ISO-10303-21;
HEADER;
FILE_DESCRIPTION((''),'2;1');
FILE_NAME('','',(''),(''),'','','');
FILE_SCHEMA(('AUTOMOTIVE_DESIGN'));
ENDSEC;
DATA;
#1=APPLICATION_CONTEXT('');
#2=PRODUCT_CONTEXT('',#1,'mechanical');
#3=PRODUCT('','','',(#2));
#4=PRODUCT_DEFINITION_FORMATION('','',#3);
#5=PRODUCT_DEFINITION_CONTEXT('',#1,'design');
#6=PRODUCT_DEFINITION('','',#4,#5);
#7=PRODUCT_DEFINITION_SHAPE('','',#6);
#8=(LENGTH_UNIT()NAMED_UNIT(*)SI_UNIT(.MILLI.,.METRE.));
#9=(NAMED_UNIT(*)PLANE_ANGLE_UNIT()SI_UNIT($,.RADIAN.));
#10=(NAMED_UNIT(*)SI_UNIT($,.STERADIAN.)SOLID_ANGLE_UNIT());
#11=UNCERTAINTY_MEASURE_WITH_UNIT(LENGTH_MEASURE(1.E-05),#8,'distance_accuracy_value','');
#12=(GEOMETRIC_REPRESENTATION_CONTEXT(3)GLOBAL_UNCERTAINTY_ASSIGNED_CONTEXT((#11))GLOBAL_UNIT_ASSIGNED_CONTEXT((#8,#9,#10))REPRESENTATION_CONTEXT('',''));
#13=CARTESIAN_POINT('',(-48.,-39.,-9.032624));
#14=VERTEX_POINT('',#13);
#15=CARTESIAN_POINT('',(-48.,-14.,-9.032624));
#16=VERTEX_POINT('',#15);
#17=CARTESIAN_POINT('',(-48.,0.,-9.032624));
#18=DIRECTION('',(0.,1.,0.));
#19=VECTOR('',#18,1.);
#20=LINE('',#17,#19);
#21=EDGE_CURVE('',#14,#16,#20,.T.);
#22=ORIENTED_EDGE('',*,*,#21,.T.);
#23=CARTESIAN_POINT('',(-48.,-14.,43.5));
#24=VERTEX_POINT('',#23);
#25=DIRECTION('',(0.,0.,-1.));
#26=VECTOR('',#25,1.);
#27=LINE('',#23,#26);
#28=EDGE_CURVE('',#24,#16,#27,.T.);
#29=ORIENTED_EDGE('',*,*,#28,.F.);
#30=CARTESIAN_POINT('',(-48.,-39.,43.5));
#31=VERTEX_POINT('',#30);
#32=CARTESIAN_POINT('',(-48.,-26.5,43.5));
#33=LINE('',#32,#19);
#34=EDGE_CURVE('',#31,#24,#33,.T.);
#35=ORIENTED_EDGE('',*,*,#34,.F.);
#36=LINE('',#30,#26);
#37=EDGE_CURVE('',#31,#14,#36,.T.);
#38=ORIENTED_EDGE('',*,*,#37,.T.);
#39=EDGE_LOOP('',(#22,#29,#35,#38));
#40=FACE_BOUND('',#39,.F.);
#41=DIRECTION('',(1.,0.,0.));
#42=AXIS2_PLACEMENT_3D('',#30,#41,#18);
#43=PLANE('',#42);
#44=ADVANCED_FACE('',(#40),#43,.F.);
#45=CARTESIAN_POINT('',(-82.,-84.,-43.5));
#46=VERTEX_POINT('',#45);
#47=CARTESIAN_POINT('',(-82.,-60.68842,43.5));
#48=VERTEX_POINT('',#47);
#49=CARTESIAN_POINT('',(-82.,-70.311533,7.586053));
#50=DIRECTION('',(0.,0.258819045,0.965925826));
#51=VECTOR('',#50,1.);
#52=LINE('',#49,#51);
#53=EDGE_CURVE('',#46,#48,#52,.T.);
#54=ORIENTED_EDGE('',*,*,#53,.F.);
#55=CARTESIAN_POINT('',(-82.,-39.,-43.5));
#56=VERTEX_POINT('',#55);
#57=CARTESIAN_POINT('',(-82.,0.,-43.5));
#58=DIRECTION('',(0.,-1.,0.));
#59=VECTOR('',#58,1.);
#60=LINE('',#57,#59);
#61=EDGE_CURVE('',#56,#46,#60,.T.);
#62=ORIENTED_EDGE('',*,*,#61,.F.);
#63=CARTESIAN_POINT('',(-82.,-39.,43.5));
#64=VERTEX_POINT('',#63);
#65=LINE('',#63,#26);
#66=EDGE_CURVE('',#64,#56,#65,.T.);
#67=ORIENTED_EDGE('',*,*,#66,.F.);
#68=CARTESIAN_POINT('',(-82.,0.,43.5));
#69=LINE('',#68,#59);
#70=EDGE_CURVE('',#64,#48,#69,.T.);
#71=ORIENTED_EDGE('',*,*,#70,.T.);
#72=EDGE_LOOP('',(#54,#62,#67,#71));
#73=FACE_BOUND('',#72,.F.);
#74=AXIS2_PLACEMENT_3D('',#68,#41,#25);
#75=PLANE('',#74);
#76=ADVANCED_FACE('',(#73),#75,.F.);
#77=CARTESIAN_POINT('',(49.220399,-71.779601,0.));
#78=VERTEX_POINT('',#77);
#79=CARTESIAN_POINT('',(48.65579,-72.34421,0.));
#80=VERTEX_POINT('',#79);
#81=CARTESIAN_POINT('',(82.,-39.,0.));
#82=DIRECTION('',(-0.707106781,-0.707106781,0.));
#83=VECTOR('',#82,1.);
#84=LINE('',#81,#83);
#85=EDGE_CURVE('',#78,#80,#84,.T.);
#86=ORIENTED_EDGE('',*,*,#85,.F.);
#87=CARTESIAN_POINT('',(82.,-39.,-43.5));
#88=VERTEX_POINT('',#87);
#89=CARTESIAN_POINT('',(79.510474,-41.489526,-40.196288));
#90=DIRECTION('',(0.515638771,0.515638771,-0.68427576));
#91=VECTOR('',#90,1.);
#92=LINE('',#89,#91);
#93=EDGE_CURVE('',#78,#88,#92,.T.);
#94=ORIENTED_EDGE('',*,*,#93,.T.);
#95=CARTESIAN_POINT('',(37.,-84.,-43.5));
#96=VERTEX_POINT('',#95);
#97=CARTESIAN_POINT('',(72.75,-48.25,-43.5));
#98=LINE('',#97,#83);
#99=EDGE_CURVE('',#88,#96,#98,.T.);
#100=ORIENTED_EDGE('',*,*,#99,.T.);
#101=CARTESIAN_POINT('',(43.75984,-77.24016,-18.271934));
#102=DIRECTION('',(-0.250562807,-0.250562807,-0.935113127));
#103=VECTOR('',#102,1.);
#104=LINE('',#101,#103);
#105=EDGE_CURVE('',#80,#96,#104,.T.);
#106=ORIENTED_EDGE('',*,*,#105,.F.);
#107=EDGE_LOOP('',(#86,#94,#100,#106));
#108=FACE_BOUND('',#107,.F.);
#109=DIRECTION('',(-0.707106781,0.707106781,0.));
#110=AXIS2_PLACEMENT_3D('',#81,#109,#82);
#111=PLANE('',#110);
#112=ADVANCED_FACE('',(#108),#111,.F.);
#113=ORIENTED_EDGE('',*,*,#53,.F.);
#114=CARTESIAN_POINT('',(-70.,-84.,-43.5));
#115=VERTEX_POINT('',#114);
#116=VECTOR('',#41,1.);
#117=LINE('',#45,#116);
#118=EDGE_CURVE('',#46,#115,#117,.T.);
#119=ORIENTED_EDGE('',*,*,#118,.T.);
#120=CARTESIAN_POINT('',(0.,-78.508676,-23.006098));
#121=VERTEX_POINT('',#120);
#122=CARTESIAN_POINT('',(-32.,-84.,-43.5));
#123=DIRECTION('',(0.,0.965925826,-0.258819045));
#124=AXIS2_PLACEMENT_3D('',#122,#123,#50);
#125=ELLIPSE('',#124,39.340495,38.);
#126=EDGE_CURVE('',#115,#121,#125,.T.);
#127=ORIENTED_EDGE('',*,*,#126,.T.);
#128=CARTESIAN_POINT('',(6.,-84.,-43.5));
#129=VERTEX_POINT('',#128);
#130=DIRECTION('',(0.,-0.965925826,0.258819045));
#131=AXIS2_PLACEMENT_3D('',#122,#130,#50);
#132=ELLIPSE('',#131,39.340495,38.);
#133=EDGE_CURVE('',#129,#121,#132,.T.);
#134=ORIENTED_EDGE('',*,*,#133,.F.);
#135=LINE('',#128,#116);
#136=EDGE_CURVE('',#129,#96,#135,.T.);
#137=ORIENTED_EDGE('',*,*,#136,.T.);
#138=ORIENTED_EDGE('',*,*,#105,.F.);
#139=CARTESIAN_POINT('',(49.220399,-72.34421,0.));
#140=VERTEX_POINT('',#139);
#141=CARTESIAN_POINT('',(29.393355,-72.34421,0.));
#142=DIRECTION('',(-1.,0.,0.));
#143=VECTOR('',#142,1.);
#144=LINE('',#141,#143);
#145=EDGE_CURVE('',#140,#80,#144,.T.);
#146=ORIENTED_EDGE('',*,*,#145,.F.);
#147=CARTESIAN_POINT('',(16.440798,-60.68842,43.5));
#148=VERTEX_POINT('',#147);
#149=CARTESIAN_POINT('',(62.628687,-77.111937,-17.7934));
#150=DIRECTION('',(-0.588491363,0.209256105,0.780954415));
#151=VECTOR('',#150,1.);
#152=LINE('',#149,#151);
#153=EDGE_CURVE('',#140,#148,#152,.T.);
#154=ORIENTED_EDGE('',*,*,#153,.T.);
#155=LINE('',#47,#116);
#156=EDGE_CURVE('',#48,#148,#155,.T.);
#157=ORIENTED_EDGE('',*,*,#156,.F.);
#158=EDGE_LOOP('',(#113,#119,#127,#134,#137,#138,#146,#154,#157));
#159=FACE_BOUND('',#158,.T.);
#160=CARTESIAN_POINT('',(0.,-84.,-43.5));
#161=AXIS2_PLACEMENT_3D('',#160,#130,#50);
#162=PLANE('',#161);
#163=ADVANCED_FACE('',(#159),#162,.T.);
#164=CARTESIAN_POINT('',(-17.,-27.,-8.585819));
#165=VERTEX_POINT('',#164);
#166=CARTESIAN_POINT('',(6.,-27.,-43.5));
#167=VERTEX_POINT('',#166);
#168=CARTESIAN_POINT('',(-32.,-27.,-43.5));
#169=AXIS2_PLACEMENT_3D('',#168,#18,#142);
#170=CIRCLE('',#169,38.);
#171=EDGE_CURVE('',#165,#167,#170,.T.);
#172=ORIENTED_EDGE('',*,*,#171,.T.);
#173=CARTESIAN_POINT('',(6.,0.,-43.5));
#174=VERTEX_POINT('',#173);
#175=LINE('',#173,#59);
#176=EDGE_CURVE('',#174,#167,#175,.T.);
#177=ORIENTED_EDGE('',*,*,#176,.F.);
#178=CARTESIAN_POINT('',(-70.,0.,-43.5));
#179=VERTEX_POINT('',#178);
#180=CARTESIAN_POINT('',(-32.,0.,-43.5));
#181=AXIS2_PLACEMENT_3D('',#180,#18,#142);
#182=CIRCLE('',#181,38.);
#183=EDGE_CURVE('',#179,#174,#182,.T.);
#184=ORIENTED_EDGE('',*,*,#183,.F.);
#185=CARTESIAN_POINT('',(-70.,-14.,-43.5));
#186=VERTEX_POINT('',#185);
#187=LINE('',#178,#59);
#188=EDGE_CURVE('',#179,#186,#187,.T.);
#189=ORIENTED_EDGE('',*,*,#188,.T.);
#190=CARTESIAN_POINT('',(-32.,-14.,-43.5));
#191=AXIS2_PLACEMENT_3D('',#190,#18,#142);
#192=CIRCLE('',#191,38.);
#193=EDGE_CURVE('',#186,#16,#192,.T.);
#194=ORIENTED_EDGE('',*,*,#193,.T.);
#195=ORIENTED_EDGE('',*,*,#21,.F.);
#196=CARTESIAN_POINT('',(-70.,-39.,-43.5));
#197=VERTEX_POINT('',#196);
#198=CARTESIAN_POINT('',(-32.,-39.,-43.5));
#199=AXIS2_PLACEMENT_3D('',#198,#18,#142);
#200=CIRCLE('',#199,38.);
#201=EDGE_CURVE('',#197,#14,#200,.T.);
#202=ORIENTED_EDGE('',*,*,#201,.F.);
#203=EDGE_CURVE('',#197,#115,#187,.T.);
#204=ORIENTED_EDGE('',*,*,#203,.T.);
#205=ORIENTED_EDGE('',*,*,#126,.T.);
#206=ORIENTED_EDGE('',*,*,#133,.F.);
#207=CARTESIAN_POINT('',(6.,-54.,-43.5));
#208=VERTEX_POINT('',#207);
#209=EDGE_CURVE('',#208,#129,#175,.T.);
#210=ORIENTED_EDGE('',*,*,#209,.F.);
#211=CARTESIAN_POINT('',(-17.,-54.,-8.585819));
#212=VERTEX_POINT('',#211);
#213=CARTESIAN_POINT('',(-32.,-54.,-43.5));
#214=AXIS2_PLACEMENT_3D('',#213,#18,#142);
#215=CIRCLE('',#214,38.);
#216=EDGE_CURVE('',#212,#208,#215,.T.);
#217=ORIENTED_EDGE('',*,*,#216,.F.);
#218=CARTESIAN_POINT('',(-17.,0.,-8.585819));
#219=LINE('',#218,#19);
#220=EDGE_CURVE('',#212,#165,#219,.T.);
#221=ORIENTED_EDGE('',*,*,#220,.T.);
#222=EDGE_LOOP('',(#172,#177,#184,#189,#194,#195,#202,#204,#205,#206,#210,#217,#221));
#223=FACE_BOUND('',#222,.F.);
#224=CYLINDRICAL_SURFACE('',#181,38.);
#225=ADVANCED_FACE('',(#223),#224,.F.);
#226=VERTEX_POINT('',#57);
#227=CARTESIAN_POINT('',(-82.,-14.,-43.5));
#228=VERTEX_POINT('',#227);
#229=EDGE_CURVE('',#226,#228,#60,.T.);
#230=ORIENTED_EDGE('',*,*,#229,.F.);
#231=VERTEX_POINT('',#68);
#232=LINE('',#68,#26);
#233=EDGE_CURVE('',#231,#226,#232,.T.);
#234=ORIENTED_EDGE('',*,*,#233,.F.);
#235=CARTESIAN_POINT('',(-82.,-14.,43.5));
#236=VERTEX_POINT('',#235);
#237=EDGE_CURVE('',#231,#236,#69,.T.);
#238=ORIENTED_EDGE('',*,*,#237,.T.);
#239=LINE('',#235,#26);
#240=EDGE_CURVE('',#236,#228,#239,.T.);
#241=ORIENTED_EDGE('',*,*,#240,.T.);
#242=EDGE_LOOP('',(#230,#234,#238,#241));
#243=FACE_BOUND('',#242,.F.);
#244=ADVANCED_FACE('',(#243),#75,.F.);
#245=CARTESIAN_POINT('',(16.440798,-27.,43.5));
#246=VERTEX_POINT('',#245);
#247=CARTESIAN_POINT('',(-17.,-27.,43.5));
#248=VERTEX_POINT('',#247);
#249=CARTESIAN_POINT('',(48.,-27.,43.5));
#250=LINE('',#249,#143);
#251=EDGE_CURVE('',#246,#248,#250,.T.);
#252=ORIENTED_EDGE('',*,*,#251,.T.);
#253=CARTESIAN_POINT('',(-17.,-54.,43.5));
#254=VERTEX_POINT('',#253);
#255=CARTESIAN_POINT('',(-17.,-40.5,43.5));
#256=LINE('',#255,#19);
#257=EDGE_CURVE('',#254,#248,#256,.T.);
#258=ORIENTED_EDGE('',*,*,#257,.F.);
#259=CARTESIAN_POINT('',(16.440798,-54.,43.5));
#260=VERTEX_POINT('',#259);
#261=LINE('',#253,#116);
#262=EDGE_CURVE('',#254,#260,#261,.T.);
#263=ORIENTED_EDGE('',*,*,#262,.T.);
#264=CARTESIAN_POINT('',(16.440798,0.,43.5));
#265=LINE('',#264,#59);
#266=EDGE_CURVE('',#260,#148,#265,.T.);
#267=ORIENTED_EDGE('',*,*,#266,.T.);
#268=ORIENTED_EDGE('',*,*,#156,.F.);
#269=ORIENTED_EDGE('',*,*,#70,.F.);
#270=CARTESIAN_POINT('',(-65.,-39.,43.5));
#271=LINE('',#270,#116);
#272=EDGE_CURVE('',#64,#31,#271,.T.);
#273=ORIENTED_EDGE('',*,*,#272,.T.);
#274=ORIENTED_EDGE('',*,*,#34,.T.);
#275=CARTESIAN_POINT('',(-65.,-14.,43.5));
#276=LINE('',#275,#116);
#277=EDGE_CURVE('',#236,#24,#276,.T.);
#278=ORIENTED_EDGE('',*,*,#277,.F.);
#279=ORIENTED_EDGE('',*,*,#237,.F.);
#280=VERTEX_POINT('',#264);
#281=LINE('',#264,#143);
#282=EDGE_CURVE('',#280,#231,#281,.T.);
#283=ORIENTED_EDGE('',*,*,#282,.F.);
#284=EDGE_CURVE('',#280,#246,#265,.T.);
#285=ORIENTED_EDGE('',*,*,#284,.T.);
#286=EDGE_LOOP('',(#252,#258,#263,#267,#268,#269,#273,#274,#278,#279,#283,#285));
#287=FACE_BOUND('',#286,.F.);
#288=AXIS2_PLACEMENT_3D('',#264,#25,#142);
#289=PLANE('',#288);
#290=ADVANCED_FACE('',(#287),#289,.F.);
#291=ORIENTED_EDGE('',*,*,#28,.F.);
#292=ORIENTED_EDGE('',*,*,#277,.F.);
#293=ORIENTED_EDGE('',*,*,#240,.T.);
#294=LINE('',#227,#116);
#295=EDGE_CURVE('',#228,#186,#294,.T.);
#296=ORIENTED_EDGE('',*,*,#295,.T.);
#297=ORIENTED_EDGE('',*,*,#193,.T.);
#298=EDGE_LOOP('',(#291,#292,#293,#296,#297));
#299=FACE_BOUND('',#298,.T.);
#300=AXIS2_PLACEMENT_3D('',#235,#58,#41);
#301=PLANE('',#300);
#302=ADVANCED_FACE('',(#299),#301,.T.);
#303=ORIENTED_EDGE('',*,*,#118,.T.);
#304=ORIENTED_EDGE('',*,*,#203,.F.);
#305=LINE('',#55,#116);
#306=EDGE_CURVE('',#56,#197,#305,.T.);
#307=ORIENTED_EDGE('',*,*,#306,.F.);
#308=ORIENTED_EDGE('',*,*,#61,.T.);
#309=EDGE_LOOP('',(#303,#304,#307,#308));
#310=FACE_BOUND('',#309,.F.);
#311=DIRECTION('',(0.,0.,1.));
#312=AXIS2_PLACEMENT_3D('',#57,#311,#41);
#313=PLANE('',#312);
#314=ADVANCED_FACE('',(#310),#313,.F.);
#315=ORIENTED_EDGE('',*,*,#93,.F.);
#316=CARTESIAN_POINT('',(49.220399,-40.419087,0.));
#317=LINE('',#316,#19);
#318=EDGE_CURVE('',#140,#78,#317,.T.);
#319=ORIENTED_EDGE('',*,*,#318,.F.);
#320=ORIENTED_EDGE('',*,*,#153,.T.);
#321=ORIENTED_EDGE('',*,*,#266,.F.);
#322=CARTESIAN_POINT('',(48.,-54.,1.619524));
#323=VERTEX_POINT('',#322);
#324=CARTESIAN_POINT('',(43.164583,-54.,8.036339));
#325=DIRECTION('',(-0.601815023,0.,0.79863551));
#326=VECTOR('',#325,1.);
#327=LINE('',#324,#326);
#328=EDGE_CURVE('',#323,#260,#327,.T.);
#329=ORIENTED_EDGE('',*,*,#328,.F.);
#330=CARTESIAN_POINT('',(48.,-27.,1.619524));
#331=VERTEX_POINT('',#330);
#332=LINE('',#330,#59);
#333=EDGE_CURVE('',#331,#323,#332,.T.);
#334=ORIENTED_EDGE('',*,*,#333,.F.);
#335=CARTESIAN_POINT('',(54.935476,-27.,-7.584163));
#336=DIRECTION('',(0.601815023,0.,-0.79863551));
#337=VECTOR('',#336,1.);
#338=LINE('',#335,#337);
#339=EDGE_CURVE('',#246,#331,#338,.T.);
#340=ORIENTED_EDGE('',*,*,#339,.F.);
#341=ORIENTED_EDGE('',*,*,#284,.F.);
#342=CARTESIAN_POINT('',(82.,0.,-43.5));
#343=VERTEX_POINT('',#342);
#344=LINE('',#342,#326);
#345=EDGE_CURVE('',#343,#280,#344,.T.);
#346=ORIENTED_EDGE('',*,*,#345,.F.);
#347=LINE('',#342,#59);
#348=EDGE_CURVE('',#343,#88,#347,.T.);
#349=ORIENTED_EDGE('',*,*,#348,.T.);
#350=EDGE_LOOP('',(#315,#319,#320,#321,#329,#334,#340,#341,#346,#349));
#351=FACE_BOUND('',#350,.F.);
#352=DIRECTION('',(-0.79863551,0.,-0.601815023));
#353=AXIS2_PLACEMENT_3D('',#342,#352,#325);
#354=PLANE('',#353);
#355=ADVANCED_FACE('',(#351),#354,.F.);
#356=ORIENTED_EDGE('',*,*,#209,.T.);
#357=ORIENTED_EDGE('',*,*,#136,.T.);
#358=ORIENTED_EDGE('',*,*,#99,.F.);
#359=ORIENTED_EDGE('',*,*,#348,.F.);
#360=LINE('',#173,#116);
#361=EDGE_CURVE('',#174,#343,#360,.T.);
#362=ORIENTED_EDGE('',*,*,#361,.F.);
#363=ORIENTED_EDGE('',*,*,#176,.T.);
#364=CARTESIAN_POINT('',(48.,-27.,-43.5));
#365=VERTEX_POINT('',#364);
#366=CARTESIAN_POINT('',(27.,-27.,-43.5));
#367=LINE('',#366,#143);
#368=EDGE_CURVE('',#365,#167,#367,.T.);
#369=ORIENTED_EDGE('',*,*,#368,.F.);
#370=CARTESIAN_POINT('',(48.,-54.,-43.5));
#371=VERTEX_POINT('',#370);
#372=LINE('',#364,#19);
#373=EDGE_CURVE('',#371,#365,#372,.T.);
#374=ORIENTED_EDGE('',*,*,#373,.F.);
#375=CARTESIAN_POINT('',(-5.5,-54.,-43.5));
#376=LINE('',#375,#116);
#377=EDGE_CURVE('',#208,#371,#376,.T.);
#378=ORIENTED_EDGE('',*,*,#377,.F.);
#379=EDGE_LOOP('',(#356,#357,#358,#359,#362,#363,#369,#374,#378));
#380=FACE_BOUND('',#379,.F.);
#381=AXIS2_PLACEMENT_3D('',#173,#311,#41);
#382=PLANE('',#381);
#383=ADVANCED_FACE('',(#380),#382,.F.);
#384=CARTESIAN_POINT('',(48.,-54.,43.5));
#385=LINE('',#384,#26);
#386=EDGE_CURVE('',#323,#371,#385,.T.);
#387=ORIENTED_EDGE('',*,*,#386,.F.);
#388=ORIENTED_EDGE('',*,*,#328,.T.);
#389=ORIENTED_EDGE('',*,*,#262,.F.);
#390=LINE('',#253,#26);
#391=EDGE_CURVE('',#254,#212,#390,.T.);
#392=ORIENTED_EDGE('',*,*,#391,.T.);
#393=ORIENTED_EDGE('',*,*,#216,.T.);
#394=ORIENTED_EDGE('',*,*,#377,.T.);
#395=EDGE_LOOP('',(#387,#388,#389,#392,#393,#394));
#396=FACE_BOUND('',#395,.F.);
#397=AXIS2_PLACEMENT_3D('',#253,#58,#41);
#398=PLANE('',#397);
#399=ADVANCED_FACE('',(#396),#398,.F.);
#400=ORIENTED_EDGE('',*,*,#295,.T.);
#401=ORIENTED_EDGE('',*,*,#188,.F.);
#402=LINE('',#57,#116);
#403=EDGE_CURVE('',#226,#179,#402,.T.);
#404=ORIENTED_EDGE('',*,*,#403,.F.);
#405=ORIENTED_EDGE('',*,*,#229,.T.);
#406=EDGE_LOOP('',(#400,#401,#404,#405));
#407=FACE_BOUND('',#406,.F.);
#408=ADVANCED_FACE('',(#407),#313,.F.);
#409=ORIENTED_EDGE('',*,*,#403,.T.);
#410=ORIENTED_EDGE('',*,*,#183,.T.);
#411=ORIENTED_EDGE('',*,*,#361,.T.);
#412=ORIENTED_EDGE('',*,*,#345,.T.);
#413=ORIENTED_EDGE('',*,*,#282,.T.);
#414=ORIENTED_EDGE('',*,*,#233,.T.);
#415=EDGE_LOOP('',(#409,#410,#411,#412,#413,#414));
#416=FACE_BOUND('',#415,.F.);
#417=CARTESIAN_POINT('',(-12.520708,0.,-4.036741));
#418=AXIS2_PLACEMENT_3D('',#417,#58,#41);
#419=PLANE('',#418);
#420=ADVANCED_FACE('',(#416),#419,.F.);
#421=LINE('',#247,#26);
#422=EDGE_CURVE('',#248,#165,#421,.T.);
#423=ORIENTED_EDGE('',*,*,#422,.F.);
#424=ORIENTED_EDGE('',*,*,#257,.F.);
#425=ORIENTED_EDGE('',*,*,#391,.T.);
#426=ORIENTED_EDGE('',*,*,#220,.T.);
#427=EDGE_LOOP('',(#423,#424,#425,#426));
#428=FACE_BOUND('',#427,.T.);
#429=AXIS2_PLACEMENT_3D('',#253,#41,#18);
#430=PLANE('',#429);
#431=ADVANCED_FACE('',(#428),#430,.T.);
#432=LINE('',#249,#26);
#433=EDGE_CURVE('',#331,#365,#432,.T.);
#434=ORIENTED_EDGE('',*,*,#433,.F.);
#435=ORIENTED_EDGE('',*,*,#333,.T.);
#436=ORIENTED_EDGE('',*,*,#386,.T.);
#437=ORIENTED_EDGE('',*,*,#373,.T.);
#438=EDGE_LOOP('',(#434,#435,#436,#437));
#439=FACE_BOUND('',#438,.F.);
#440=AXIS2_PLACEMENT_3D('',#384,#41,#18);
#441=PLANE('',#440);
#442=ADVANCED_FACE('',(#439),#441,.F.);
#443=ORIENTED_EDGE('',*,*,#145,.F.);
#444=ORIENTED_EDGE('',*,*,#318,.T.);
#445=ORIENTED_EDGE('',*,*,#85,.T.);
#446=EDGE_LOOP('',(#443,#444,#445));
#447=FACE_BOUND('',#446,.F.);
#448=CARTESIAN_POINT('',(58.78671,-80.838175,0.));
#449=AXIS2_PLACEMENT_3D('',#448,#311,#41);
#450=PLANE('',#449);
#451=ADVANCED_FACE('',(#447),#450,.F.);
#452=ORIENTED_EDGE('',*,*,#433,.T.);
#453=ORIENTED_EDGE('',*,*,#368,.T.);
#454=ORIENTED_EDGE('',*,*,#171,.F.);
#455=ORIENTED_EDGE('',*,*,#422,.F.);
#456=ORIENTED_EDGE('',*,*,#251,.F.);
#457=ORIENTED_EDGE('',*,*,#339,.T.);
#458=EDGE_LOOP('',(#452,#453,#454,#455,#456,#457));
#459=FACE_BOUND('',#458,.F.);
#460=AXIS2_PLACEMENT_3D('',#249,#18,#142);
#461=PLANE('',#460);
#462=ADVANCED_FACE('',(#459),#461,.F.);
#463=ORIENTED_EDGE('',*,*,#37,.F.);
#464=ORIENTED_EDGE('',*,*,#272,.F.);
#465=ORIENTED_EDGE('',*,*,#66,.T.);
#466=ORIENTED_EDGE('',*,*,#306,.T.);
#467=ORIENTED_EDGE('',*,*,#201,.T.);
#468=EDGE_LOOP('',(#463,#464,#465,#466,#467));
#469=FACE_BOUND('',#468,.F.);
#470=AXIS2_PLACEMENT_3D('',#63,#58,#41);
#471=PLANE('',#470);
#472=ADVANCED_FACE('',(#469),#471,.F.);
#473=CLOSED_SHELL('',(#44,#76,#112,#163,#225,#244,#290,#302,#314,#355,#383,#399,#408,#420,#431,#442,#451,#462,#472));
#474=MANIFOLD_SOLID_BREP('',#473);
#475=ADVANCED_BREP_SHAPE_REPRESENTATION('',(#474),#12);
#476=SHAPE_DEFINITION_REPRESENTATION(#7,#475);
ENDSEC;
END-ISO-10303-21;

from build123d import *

# Parameters (mm, degrees)
F1_DEPTH      = 84
F2_W          = 31.5592023589
F2_H          = 27
F2_W_2        = 33.4407976411
F2_W_3        = 34
F2_H_2        = 25
F3_DEPTH      = 187.4
F5_DEPTH      = 299
F5_DEPTH_BACK = 323
F7_DEPTH      = 75.8


with BuildPart() as f1:
    # F0 (on Front) → F1 (new body)
    with BuildSketch(Plane.XZ):
        with BuildLine():
            Line((82, -43.5), (16.4407976411, 43.5))
            Line((16.4407976411, 43.5), (0, 43.5))
            Line((0, 43.5), (-82, 43.5))
            Line((-82, 43.5), (-82, -43.5))
            Line((-82, -43.5), (-70, -43.5))
            ThreePointArc((-70, -43.5), (-32, -5.5), (6, -43.5))
            Line((6, -43.5), (82, -43.5))
        make_face()
    extrude(amount=F1_DEPTH)

    # F2 (on face) → F3 (cut)
    with BuildSketch(Plane.XY.offset(43.5)):
        with Locations((32.2203988205, -40.5)):
            Rectangle(F2_W, F2_H)
        with Locations((-0.2796011795, -40.5)):
            Rectangle(F2_W_2, F2_H)
        with Locations((-65, -26.5)):
            Rectangle(F2_W_3, F2_H_2)
    extrude(amount=-F3_DEPTH, mode=Mode.SUBTRACT)

    # F4 (on Right) → F5 (cut, two sides)
    with BuildSketch(Plane.YZ) as f5_sk:
        Polygon((-84, -43.5), (-60.6884202585, 43.5), (-84, 43.5), align=None)
    extrude(amount=F5_DEPTH, mode=Mode.SUBTRACT)
    extrude(f5_sk.sketch, amount=-F5_DEPTH_BACK, mode=Mode.SUBTRACT)

    # F6 (on Top) → F7 (cut)
    with BuildSketch(Plane.XY):
        Polygon((82, -84), (48.8038917131, -72.1961082869), (37, -84), align=None)
        Polygon((82, -39), (48.8038917131, -72.1961082869), (82, -84), align=None)
    extrude(amount=-F7_DEPTH, mode=Mode.SUBTRACT)


solid = f1.part
